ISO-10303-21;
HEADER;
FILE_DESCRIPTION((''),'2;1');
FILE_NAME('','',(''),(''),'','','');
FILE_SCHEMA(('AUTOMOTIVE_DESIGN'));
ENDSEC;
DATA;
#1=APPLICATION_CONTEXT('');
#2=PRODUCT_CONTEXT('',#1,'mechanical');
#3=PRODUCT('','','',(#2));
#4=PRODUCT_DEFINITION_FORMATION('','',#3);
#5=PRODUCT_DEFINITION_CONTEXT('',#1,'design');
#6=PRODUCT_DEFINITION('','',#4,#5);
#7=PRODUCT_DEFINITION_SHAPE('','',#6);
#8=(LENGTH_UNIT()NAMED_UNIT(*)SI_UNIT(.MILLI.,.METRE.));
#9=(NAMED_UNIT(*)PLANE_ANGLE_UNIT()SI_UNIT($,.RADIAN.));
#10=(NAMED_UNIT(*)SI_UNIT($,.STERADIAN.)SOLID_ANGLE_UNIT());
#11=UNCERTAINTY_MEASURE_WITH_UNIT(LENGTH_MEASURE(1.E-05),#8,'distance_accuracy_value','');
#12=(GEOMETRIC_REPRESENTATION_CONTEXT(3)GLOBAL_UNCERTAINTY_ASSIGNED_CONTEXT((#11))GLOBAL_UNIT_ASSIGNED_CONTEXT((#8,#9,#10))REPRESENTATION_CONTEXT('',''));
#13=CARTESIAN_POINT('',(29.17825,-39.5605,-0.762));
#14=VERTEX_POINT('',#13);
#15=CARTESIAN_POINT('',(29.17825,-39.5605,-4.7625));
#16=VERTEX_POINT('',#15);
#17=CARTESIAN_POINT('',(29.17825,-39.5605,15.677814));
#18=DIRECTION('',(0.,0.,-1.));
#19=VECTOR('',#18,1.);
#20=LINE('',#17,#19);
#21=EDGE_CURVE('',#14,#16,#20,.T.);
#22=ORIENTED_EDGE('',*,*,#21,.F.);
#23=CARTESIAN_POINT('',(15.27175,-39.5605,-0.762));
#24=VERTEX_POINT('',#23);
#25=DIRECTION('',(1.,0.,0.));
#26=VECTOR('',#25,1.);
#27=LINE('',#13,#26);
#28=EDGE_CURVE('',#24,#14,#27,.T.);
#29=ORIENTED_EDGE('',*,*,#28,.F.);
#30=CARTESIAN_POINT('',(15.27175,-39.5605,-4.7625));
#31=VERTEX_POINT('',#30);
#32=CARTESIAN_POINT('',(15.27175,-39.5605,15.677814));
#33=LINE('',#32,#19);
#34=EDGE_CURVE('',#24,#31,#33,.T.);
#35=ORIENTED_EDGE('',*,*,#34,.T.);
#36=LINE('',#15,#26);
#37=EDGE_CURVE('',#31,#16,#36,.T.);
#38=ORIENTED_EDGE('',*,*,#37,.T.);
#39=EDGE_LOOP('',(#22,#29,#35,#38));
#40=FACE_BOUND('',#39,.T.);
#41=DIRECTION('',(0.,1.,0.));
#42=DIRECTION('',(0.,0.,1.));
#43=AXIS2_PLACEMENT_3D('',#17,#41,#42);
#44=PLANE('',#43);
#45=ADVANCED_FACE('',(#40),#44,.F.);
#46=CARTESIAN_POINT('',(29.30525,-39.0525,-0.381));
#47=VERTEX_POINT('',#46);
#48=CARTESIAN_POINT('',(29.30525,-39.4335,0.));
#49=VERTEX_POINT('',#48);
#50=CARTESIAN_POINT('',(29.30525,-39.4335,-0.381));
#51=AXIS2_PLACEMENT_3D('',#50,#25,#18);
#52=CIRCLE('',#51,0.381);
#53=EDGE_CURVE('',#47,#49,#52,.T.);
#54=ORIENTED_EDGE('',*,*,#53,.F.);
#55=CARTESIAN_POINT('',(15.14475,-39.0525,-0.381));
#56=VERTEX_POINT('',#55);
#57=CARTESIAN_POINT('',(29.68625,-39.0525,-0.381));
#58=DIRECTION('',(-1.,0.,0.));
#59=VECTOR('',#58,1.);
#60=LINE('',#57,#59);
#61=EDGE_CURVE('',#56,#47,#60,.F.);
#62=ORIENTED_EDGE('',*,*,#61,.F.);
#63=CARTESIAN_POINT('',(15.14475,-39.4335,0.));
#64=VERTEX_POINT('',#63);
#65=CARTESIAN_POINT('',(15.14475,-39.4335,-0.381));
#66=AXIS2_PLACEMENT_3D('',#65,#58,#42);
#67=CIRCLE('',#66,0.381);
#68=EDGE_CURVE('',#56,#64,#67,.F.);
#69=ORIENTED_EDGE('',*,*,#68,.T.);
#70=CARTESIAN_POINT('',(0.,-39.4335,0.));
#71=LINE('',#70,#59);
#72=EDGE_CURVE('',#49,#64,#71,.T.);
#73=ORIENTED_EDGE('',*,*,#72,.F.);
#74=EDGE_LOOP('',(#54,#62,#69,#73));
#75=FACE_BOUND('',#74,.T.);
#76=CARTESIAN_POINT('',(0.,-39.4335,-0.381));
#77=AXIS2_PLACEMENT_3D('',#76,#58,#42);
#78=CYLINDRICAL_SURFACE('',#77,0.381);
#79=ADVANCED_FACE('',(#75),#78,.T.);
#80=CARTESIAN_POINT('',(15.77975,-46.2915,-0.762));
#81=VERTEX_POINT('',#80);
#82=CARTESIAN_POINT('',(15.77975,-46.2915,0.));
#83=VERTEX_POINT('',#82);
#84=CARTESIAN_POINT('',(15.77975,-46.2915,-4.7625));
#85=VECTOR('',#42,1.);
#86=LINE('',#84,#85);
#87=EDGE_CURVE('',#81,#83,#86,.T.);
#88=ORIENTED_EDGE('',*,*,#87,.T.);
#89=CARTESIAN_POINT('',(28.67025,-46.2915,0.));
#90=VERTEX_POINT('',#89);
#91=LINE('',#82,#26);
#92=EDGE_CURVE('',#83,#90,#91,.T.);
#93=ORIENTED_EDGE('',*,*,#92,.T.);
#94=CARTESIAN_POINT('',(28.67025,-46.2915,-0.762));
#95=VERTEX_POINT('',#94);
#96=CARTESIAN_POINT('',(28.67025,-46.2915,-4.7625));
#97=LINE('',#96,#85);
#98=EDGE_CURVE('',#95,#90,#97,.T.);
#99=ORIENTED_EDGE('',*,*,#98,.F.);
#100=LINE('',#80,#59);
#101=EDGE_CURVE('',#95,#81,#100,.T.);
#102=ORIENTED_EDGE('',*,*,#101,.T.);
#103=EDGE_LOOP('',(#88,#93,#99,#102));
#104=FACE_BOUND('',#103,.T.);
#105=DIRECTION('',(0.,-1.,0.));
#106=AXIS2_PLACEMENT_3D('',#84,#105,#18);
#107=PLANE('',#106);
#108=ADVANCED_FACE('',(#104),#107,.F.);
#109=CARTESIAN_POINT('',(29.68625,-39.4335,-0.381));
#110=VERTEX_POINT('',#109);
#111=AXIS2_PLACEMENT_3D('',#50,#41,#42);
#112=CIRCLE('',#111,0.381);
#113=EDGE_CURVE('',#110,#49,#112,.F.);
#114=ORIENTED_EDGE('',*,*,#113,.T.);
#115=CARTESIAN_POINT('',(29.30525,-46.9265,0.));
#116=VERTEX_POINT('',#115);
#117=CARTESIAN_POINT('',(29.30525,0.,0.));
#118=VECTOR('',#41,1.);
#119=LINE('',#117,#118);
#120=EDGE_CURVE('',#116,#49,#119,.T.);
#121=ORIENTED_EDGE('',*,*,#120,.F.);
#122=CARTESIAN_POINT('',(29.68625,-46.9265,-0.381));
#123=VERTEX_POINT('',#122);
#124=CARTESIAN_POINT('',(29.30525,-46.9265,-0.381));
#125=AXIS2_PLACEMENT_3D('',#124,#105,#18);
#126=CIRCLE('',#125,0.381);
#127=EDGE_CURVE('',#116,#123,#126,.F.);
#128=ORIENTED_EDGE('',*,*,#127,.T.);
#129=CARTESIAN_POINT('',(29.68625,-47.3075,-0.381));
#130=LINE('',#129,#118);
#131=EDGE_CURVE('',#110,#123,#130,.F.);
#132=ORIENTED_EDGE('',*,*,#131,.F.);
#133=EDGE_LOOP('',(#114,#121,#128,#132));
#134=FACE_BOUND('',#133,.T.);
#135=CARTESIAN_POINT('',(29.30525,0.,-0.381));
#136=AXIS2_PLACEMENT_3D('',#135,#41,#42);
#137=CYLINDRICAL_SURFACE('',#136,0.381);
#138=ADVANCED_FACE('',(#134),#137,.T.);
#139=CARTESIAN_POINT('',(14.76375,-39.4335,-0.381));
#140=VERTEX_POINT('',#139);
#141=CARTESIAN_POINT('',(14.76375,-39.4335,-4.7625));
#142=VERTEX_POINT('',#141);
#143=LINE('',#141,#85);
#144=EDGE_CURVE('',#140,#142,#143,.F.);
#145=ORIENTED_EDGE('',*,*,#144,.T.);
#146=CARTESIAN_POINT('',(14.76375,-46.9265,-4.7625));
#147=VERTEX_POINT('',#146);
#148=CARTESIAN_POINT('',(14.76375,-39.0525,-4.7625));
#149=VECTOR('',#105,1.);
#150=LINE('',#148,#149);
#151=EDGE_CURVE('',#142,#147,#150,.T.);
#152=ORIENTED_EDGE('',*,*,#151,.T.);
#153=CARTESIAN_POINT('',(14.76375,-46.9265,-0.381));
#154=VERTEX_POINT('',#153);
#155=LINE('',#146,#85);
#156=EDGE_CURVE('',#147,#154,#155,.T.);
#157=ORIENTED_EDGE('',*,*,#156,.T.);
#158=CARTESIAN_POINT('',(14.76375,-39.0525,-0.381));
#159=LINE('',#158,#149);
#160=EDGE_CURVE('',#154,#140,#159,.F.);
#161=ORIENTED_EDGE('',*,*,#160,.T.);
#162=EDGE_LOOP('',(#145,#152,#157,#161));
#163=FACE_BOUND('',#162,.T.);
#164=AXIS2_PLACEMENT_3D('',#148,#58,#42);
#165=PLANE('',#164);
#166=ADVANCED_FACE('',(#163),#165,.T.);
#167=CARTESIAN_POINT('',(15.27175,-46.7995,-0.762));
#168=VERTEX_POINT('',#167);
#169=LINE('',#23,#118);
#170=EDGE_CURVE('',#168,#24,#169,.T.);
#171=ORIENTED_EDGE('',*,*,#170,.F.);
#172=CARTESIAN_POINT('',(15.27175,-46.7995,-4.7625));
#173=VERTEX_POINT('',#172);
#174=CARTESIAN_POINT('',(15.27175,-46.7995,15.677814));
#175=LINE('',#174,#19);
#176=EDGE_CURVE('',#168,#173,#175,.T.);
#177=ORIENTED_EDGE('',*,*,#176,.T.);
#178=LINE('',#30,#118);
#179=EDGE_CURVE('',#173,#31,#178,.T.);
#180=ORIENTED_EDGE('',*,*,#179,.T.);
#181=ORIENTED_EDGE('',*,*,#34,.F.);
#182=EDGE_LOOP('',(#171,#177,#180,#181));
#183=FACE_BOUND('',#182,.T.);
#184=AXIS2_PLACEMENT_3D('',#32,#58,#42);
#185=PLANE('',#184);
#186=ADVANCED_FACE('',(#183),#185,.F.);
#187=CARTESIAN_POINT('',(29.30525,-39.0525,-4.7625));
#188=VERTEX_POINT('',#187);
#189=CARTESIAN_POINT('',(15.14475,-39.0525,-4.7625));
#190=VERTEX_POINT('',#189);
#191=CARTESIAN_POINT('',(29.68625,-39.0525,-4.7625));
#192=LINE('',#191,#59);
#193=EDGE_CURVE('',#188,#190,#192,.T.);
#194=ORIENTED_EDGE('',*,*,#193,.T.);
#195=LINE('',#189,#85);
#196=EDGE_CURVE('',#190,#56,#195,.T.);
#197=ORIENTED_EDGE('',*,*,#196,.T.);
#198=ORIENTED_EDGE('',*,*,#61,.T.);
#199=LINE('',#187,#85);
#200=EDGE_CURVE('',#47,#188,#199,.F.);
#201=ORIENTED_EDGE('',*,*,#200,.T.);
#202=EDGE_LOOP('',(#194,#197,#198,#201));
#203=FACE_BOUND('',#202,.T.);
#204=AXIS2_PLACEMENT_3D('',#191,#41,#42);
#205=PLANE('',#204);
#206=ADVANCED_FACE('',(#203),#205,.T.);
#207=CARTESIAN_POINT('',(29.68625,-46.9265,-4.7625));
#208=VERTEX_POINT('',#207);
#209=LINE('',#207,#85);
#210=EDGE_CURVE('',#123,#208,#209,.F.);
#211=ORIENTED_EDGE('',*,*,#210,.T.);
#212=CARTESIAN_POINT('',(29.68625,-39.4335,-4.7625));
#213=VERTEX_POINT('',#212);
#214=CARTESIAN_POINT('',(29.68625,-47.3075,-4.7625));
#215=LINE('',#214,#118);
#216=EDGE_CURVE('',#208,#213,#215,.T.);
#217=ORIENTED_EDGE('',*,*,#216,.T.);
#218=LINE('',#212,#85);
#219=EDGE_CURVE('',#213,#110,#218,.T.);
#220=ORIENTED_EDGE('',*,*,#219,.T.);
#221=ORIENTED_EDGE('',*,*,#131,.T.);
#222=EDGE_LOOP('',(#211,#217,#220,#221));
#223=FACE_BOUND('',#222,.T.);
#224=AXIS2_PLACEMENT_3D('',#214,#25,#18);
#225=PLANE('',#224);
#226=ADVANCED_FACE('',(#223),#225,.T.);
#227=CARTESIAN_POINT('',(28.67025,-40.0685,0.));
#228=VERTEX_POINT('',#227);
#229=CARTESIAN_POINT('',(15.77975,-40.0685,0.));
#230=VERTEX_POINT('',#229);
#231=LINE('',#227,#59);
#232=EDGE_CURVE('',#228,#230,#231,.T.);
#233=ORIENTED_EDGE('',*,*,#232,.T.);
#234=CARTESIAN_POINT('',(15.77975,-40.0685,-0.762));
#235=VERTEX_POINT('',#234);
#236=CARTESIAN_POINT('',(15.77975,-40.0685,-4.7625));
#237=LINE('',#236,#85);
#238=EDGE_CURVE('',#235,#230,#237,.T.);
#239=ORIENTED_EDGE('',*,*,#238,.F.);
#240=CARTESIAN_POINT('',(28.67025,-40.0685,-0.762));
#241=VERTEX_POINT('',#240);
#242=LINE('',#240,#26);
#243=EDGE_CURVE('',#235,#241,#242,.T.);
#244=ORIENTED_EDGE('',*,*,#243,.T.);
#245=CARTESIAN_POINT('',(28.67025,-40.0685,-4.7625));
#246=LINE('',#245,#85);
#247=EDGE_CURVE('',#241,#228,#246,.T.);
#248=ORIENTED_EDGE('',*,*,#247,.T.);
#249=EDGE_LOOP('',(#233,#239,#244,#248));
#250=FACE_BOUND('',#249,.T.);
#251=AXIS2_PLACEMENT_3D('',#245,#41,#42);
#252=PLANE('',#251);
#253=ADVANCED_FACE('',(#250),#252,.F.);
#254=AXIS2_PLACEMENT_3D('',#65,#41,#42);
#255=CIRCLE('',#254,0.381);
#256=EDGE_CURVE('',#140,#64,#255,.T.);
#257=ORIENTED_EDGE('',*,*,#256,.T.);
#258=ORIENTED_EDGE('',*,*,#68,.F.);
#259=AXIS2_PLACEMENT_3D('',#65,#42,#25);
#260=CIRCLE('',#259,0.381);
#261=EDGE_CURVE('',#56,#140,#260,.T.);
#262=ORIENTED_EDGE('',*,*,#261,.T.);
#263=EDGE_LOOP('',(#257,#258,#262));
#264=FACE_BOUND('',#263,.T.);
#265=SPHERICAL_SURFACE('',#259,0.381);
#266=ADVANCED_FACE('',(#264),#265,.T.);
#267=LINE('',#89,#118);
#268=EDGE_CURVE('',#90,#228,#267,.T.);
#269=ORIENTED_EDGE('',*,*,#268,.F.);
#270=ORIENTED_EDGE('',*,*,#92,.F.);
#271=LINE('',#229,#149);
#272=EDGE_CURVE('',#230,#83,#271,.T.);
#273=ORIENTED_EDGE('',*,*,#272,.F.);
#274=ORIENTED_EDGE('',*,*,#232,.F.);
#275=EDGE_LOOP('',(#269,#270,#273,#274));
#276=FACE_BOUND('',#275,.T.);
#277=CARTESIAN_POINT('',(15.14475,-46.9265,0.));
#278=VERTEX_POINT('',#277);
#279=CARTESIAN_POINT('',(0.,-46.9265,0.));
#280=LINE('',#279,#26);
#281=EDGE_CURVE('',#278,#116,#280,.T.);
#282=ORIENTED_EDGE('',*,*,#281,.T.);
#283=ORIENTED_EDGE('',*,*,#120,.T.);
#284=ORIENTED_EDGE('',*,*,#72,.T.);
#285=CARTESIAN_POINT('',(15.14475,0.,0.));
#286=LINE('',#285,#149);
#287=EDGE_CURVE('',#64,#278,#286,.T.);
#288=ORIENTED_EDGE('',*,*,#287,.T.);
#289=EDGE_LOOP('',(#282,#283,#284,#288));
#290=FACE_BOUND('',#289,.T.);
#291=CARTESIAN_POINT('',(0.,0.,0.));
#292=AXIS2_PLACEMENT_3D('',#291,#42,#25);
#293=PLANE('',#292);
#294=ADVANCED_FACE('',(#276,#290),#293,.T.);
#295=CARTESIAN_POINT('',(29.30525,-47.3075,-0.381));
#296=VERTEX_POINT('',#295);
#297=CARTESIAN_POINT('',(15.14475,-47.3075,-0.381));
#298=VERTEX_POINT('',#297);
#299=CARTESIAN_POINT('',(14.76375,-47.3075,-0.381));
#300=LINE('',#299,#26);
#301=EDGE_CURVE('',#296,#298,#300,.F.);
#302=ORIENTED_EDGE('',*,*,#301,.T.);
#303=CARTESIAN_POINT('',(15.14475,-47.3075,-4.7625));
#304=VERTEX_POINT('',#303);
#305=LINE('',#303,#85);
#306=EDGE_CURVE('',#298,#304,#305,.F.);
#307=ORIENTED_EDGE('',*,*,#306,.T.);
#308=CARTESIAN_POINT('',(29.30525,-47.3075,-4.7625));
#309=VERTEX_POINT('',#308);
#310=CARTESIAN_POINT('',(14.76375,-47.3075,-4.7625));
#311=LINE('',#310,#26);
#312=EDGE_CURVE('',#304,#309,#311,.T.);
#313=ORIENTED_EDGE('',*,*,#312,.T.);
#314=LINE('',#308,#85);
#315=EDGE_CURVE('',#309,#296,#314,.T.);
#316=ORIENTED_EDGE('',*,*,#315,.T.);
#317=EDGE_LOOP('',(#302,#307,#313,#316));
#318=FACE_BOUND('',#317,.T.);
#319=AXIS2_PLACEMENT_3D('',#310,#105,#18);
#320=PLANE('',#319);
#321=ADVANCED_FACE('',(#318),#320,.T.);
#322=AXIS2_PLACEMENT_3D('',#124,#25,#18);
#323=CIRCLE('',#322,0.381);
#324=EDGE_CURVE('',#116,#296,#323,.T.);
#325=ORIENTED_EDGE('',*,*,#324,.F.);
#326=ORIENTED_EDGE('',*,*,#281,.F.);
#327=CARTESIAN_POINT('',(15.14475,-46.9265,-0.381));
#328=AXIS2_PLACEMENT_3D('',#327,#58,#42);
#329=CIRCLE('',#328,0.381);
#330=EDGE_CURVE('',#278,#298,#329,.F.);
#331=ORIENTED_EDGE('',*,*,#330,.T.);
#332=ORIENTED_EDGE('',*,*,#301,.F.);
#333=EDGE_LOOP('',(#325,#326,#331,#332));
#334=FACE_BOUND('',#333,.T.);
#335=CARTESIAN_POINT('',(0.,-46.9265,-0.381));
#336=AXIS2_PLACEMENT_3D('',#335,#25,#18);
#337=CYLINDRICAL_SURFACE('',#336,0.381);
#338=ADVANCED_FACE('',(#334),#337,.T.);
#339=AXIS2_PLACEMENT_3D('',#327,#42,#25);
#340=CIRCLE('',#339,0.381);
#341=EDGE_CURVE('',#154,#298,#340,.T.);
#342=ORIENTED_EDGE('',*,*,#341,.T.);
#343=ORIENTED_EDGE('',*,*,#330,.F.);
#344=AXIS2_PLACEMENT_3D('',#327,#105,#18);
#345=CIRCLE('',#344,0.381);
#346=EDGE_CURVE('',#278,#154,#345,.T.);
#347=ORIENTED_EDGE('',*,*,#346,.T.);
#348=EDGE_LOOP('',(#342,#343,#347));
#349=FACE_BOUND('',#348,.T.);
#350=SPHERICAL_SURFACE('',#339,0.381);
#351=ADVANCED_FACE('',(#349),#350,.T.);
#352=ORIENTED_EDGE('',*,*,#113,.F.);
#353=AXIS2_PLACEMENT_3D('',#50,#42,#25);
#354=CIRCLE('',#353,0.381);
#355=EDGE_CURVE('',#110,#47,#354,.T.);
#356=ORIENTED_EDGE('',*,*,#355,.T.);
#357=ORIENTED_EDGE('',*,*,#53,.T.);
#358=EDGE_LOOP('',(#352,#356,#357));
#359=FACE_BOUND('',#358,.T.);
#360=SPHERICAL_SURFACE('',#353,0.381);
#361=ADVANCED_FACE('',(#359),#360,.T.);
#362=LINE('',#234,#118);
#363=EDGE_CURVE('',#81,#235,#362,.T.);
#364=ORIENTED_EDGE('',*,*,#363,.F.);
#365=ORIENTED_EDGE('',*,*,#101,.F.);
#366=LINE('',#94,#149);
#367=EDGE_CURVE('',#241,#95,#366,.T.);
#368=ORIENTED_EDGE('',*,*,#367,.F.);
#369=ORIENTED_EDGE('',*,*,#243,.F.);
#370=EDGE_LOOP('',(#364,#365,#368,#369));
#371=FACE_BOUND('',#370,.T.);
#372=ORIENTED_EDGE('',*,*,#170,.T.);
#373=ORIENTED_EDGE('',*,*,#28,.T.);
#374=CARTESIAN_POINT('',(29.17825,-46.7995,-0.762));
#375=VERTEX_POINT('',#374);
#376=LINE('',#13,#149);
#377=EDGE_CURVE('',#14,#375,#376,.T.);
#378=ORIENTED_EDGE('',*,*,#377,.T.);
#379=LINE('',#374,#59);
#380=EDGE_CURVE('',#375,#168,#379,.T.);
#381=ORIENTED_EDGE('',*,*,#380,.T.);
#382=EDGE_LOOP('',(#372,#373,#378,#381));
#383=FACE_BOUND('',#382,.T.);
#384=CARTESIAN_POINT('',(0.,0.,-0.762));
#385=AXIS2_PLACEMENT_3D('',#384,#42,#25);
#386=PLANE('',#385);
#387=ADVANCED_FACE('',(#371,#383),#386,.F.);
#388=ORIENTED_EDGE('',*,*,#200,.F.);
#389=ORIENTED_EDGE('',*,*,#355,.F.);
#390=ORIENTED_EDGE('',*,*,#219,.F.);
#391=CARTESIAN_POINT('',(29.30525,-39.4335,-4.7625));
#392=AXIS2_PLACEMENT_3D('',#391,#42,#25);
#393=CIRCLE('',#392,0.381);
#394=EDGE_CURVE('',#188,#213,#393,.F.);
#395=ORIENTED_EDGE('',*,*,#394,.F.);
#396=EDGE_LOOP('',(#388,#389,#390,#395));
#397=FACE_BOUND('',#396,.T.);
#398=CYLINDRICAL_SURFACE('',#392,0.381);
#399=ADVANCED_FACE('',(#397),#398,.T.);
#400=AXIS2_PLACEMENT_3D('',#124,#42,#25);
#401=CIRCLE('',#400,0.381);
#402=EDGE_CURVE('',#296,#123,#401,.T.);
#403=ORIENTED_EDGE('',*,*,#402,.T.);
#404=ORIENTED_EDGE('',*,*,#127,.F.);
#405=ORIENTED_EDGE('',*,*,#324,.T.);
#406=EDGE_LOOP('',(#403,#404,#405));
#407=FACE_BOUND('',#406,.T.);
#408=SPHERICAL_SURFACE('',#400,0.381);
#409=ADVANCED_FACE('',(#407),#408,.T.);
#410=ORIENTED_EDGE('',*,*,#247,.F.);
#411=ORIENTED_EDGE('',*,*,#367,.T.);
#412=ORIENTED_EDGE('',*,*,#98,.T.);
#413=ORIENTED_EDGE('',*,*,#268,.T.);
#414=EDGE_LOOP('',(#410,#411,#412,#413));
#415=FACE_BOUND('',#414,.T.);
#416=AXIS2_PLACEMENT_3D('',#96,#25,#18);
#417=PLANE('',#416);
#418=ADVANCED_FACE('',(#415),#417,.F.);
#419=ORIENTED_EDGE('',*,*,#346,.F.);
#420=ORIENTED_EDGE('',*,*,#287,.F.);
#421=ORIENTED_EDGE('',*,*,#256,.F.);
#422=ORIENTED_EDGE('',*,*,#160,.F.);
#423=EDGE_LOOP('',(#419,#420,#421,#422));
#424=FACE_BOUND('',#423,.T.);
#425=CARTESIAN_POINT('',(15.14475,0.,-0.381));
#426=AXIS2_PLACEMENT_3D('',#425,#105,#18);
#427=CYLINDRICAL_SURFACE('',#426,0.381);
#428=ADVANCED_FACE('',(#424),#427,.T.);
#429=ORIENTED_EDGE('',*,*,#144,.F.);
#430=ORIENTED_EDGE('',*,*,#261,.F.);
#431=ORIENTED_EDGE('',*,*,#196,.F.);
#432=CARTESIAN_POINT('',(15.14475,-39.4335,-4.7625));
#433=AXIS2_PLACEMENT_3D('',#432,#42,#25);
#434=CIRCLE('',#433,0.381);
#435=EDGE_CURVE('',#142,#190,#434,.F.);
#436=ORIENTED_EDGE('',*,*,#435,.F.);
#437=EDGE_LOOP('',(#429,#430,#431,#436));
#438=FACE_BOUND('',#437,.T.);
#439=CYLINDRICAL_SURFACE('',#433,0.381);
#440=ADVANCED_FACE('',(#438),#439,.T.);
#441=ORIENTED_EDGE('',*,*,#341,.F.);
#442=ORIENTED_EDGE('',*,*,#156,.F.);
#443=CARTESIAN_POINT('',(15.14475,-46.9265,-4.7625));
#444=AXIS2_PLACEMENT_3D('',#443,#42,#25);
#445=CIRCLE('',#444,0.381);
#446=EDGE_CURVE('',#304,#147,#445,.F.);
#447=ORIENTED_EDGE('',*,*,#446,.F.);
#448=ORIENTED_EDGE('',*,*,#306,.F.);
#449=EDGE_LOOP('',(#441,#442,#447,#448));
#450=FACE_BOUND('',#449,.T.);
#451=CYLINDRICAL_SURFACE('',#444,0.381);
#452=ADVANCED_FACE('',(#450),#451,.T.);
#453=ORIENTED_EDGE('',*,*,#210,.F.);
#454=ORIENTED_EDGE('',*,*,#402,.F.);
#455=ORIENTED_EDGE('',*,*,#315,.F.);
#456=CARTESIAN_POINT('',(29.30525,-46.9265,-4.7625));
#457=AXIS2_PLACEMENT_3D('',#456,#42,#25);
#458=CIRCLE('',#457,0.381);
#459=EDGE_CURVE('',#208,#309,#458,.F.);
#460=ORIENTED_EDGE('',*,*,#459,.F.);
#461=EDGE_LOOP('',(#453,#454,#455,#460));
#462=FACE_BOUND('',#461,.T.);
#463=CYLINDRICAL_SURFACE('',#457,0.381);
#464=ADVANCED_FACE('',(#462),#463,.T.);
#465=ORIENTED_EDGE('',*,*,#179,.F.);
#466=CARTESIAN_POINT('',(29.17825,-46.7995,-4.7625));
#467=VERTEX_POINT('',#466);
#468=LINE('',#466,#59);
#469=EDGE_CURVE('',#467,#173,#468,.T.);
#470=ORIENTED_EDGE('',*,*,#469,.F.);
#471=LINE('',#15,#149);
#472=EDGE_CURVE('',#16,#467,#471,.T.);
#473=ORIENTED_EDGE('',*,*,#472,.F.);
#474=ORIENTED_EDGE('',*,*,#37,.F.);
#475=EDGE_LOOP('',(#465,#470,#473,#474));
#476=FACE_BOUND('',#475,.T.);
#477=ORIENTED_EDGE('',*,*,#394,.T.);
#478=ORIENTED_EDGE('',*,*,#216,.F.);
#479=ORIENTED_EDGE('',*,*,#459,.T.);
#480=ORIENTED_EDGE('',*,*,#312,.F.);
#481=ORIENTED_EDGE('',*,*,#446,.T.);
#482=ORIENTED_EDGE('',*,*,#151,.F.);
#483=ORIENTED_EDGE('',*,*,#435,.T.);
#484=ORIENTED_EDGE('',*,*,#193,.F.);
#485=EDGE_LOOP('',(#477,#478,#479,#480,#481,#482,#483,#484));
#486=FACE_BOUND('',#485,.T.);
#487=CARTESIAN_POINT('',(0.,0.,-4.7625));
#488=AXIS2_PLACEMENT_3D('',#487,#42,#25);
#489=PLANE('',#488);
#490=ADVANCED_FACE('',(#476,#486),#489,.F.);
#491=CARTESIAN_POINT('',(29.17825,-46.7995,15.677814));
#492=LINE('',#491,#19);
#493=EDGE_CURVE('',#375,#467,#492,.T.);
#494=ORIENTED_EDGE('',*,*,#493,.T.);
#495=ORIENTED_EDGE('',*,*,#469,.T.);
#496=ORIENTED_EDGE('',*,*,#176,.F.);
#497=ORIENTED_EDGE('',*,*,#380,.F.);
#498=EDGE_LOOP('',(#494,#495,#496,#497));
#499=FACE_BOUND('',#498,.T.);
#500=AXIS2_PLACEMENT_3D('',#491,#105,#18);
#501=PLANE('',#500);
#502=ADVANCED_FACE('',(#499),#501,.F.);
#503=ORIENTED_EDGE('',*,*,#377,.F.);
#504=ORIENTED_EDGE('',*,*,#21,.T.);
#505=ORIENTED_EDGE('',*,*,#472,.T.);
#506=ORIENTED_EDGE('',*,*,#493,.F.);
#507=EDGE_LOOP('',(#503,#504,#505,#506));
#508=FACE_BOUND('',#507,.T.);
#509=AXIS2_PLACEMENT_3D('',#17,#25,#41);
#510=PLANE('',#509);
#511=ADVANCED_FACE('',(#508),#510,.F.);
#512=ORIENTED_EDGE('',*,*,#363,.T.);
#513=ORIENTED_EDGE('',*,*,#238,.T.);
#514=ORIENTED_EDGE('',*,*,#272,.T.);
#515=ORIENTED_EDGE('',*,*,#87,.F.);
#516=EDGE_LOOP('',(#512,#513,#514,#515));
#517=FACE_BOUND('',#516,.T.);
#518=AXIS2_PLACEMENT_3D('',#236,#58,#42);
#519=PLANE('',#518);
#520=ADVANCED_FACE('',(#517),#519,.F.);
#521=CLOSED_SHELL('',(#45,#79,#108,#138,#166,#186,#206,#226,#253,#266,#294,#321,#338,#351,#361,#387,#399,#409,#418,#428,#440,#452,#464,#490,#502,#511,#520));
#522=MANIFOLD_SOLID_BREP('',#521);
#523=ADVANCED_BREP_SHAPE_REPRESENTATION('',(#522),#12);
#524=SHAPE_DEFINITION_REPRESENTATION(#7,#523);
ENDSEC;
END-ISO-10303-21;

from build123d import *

# Parameters (mm, degrees)
SKETCH1_W           = 14.9225
SKETCH1_H           = 8.255
SKETCH1_W_2         = 12.8905
SKETCH1_H_2         = 6.223
BOSS_EXTRUDE1_DEPTH = 4.7625
SKETCH2_W           = 13.9065
SKETCH2_H           = 7.239
CUT_EXTRUDE1_DEPTH  = 4.0005
FILLET1_R           = 0.381


with BuildPart() as part:
    # Sketch1 → Boss-Extrude1 (new body)
    with BuildSketch(Plane.XY):
        with Locations((22.225, -43.18)):
            Rectangle(SKETCH1_W, SKETCH1_H)
        with Locations((22.225, -43.18)):
            Rectangle(SKETCH1_W_2, SKETCH1_H_2, mode=Mode.SUBTRACT)
    extrude(amount=-BOSS_EXTRUDE1_DEPTH)

    # Sketch2 → Cut-Extrude1 (cut)
    with BuildSketch(Plane(origin=(0, 0, -4.7625), x_dir=(-1, 0, 0), z_dir=(0, 0, -1))):
        with Locations((-22.225, -43.18)):
            Rectangle(SKETCH2_W, SKETCH2_H)
    extrude(amount=-CUT_EXTRUDE1_DEPTH, mode=Mode.SUBTRACT)

    # Fillet1
    fillet1_edges = [part.edges().sort_by_distance(p)[0] for p in [
        (22.225, -47.3075, 0),
        (14.76375, -43.18, 0),
        (22.225, -39.0525, 0),
        (29.68625, -43.18, 0),
        (29.68625, -47.3075, -2.38125),
        (14.76375, -47.3075, -2.38125),
        (14.76375, -39.0525, -2.38125),
        (29.68625, -39.0525, -2.38125),
    ]]
    fillet(fillet1_edges, radius=FILLET1_R)


solid = part.part
